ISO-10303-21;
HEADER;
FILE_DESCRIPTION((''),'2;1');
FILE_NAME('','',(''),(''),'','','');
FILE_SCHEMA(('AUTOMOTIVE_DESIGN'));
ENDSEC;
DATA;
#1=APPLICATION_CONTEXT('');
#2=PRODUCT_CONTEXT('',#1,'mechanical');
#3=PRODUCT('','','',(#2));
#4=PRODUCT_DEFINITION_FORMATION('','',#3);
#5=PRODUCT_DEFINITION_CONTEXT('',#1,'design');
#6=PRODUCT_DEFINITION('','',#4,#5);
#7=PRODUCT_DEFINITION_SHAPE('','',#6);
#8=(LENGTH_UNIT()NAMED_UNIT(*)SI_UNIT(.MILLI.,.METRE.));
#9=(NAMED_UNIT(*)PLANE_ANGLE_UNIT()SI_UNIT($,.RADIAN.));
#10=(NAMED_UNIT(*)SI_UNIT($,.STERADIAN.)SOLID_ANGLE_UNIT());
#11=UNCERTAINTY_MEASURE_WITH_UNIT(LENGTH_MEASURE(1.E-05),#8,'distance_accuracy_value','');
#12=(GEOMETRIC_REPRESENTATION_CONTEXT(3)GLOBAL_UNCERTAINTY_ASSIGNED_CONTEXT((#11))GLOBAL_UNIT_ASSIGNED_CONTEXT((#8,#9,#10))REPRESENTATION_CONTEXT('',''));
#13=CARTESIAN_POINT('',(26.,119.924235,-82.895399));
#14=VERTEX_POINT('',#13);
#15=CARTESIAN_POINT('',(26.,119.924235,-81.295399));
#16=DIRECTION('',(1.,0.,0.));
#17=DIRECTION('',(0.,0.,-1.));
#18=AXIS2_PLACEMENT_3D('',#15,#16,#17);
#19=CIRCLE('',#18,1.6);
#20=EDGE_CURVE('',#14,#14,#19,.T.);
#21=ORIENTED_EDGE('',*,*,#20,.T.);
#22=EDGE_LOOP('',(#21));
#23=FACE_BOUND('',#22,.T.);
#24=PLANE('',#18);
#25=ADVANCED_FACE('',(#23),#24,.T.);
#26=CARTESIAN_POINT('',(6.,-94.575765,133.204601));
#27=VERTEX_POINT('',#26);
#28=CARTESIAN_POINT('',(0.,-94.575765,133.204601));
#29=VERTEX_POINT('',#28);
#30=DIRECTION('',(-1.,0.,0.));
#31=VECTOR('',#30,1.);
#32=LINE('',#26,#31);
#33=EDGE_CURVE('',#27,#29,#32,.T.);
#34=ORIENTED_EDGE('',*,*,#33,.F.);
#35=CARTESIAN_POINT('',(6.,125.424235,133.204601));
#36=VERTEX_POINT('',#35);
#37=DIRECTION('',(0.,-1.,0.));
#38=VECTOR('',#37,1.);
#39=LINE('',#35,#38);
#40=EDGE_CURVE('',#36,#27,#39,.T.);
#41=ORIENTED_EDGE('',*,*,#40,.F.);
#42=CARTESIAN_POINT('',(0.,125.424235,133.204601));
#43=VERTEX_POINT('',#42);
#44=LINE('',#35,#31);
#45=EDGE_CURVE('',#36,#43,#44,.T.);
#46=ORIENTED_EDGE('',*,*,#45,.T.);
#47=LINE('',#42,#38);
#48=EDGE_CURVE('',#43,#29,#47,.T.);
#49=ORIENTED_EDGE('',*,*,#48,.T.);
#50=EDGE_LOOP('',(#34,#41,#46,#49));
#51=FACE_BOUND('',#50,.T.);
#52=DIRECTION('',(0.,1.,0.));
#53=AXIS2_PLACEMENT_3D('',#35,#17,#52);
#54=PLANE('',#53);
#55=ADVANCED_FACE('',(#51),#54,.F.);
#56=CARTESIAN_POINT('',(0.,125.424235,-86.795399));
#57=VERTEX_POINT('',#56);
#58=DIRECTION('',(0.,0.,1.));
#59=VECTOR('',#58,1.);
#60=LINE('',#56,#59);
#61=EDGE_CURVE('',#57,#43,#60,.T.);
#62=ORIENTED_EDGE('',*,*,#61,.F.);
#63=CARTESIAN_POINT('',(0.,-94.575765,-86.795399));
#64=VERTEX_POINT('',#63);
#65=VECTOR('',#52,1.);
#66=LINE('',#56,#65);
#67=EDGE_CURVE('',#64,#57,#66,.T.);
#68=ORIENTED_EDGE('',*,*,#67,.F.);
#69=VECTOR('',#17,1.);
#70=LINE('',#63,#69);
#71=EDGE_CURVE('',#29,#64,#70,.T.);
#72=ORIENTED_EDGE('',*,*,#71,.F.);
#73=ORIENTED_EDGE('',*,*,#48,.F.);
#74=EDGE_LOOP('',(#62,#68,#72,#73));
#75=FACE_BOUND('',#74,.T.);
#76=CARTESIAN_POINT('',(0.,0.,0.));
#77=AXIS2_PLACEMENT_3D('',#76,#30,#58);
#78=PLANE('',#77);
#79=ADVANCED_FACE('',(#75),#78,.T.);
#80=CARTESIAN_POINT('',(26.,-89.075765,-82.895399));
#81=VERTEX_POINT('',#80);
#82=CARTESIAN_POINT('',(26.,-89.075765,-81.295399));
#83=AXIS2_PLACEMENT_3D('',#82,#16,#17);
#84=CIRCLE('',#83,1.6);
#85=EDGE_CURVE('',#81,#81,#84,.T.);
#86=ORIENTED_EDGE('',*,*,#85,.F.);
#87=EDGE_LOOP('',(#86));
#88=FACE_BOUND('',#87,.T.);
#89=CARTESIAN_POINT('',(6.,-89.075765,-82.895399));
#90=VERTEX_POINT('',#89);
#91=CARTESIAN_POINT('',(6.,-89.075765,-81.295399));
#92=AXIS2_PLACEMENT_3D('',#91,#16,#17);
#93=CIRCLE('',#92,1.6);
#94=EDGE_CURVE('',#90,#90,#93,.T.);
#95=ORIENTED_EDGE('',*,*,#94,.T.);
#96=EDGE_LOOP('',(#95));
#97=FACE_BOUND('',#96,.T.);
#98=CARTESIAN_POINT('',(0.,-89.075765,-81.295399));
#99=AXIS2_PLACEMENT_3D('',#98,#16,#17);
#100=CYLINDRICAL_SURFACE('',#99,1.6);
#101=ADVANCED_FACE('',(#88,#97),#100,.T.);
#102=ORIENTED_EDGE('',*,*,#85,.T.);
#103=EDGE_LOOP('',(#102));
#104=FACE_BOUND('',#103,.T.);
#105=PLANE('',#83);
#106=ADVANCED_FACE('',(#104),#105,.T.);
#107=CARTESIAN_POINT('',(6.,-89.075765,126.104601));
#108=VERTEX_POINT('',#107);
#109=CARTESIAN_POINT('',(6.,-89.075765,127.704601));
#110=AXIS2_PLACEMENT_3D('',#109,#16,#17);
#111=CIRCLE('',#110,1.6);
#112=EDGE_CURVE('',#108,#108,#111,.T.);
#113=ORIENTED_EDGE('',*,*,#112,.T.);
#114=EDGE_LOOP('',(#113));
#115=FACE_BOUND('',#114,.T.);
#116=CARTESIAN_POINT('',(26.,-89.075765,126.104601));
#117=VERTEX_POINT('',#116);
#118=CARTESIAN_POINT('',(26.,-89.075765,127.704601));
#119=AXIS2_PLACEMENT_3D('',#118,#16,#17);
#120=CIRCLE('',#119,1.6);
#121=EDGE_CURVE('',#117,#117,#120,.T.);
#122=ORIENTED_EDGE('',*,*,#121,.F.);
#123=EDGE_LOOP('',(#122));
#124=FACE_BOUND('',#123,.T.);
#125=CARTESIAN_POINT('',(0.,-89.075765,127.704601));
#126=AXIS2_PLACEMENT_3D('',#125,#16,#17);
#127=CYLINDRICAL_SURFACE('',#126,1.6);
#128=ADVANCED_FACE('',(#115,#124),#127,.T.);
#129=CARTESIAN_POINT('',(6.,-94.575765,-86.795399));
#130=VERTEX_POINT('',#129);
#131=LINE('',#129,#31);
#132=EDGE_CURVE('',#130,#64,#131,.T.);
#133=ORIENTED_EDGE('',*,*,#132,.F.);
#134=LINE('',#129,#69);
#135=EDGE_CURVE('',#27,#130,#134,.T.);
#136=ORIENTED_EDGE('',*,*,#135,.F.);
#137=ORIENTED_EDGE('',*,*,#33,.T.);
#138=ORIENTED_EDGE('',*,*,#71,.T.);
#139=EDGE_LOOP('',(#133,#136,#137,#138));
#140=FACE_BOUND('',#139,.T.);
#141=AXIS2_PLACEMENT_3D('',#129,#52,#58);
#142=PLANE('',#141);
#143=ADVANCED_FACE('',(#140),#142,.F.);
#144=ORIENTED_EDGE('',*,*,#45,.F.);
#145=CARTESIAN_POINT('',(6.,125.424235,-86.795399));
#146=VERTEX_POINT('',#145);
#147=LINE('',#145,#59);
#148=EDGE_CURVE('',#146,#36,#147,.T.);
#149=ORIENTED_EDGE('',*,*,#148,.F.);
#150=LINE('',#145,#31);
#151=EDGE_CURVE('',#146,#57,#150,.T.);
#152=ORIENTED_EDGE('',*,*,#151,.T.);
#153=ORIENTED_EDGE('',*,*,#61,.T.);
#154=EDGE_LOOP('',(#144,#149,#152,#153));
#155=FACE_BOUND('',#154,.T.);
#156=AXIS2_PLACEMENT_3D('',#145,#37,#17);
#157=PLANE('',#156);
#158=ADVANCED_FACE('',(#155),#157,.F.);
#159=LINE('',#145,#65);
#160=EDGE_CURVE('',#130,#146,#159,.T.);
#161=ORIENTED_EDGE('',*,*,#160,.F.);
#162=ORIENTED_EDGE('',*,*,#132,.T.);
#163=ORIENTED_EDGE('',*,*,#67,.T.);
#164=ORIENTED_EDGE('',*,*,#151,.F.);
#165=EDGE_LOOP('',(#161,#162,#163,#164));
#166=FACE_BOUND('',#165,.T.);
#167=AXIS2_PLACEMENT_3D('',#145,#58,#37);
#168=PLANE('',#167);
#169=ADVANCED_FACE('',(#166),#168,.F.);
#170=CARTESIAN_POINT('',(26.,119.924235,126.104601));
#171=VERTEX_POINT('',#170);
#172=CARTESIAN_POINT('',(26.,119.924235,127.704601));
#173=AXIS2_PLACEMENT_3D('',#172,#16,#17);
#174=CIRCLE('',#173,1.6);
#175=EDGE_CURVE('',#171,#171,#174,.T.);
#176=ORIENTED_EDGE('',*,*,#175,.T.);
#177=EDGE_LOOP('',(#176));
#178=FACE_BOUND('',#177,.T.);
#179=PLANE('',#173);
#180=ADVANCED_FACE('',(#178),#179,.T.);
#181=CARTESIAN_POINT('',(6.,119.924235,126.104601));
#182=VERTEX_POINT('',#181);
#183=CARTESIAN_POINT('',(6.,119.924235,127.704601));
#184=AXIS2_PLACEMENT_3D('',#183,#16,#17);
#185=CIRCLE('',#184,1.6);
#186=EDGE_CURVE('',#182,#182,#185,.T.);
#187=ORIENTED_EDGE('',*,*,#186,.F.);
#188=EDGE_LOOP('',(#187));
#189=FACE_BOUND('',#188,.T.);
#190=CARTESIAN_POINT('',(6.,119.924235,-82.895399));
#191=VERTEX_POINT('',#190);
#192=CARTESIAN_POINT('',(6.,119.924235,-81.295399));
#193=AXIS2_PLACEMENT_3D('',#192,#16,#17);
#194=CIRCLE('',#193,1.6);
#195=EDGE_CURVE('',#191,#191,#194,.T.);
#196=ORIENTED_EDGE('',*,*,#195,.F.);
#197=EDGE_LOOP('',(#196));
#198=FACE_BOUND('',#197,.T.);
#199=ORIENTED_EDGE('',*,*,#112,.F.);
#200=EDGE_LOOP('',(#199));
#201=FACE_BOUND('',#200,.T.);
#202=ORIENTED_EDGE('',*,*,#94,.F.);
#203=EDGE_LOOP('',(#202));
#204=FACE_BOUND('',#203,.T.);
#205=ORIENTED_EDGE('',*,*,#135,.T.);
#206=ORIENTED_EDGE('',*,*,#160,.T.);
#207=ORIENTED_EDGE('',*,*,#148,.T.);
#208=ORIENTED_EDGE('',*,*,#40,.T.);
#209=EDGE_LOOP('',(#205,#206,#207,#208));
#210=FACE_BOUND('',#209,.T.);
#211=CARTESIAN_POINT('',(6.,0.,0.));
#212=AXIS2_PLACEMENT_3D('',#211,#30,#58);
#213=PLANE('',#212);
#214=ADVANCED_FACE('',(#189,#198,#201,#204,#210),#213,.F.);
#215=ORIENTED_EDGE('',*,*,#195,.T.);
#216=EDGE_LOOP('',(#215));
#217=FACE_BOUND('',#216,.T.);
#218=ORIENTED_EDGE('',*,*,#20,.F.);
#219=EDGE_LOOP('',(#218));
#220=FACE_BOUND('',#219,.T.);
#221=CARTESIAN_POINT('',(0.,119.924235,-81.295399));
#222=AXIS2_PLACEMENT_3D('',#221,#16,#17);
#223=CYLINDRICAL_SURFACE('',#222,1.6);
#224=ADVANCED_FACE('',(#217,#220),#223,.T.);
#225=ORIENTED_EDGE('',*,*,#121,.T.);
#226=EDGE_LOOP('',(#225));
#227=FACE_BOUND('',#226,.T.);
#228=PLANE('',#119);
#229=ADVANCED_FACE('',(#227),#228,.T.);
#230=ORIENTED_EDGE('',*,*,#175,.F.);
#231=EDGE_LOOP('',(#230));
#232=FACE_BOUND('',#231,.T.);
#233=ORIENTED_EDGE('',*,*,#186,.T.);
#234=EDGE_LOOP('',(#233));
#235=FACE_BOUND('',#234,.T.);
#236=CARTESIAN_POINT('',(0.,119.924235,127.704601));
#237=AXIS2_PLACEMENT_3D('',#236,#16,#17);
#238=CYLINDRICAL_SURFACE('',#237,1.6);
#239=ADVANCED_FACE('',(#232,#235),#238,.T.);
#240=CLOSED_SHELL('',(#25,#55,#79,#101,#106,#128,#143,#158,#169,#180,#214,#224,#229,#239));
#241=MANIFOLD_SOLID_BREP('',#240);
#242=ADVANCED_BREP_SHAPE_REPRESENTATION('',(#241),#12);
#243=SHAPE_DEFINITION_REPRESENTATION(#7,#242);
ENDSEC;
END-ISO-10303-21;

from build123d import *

# Parameters (mm, degrees)
SKETCH_1_W           = 220
SKETCH_1_H           = 220
SKETCH_1_R           = 1.6
EXTRUDE_1_DEPTH      = 6
EXTRUDE_2_DEPTH      = 20
EXTRUDE_2_DEPTH_BACK = 6
SKETCH_2_R           = 1.6


with BuildPart() as part:
    # 草图1 → 凸台-拉伸1 (new body)
    with BuildSketch(Plane(origin=(0, 0, 0), x_dir=(0, 0, -1), z_dir=(1, 0, 0))):
        with Locations((-23.204600907, 15.424234721)):
            Rectangle(SKETCH_1_W, SKETCH_1_H)
        with Locations((81.295399093, 119.924234721)):
            Circle(SKETCH_1_R, mode=Mode.SUBTRACT)
        with Locations((-127.704600907, 119.924234721)):
            Circle(SKETCH_1_R, mode=Mode.SUBTRACT)
        with Locations((-127.704600907, -89.075765279)):
            Circle(SKETCH_1_R, mode=Mode.SUBTRACT)
        with Locations((81.295399093, -89.075765279)):
            Circle(SKETCH_1_R, mode=Mode.SUBTRACT)
    extrude(amount=EXTRUDE_1_DEPTH)

    # 草图2 → 凸台-拉伸2 (add, two sides: drawn at the far end of the back side and taken through both)
    with BuildSketch(Plane(origin=(6, 0, 0), x_dir=(0, 0, -1), z_dir=(1, 0, 0)).offset(-EXTRUDE_2_DEPTH_BACK)):
        with Locations((81.295399093, -89.075765279)):
            Circle(SKETCH_2_R)
        with Locations((-127.704600907, -89.075765279)):
            Circle(SKETCH_2_R)
        with Locations((81.295399093, 119.924234721)):
            Circle(SKETCH_2_R)
        with Locations((-127.704600907, 119.924234721)):
            Circle(SKETCH_2_R)
    extrude(amount=EXTRUDE_2_DEPTH + EXTRUDE_2_DEPTH_BACK)


solid = part.part
